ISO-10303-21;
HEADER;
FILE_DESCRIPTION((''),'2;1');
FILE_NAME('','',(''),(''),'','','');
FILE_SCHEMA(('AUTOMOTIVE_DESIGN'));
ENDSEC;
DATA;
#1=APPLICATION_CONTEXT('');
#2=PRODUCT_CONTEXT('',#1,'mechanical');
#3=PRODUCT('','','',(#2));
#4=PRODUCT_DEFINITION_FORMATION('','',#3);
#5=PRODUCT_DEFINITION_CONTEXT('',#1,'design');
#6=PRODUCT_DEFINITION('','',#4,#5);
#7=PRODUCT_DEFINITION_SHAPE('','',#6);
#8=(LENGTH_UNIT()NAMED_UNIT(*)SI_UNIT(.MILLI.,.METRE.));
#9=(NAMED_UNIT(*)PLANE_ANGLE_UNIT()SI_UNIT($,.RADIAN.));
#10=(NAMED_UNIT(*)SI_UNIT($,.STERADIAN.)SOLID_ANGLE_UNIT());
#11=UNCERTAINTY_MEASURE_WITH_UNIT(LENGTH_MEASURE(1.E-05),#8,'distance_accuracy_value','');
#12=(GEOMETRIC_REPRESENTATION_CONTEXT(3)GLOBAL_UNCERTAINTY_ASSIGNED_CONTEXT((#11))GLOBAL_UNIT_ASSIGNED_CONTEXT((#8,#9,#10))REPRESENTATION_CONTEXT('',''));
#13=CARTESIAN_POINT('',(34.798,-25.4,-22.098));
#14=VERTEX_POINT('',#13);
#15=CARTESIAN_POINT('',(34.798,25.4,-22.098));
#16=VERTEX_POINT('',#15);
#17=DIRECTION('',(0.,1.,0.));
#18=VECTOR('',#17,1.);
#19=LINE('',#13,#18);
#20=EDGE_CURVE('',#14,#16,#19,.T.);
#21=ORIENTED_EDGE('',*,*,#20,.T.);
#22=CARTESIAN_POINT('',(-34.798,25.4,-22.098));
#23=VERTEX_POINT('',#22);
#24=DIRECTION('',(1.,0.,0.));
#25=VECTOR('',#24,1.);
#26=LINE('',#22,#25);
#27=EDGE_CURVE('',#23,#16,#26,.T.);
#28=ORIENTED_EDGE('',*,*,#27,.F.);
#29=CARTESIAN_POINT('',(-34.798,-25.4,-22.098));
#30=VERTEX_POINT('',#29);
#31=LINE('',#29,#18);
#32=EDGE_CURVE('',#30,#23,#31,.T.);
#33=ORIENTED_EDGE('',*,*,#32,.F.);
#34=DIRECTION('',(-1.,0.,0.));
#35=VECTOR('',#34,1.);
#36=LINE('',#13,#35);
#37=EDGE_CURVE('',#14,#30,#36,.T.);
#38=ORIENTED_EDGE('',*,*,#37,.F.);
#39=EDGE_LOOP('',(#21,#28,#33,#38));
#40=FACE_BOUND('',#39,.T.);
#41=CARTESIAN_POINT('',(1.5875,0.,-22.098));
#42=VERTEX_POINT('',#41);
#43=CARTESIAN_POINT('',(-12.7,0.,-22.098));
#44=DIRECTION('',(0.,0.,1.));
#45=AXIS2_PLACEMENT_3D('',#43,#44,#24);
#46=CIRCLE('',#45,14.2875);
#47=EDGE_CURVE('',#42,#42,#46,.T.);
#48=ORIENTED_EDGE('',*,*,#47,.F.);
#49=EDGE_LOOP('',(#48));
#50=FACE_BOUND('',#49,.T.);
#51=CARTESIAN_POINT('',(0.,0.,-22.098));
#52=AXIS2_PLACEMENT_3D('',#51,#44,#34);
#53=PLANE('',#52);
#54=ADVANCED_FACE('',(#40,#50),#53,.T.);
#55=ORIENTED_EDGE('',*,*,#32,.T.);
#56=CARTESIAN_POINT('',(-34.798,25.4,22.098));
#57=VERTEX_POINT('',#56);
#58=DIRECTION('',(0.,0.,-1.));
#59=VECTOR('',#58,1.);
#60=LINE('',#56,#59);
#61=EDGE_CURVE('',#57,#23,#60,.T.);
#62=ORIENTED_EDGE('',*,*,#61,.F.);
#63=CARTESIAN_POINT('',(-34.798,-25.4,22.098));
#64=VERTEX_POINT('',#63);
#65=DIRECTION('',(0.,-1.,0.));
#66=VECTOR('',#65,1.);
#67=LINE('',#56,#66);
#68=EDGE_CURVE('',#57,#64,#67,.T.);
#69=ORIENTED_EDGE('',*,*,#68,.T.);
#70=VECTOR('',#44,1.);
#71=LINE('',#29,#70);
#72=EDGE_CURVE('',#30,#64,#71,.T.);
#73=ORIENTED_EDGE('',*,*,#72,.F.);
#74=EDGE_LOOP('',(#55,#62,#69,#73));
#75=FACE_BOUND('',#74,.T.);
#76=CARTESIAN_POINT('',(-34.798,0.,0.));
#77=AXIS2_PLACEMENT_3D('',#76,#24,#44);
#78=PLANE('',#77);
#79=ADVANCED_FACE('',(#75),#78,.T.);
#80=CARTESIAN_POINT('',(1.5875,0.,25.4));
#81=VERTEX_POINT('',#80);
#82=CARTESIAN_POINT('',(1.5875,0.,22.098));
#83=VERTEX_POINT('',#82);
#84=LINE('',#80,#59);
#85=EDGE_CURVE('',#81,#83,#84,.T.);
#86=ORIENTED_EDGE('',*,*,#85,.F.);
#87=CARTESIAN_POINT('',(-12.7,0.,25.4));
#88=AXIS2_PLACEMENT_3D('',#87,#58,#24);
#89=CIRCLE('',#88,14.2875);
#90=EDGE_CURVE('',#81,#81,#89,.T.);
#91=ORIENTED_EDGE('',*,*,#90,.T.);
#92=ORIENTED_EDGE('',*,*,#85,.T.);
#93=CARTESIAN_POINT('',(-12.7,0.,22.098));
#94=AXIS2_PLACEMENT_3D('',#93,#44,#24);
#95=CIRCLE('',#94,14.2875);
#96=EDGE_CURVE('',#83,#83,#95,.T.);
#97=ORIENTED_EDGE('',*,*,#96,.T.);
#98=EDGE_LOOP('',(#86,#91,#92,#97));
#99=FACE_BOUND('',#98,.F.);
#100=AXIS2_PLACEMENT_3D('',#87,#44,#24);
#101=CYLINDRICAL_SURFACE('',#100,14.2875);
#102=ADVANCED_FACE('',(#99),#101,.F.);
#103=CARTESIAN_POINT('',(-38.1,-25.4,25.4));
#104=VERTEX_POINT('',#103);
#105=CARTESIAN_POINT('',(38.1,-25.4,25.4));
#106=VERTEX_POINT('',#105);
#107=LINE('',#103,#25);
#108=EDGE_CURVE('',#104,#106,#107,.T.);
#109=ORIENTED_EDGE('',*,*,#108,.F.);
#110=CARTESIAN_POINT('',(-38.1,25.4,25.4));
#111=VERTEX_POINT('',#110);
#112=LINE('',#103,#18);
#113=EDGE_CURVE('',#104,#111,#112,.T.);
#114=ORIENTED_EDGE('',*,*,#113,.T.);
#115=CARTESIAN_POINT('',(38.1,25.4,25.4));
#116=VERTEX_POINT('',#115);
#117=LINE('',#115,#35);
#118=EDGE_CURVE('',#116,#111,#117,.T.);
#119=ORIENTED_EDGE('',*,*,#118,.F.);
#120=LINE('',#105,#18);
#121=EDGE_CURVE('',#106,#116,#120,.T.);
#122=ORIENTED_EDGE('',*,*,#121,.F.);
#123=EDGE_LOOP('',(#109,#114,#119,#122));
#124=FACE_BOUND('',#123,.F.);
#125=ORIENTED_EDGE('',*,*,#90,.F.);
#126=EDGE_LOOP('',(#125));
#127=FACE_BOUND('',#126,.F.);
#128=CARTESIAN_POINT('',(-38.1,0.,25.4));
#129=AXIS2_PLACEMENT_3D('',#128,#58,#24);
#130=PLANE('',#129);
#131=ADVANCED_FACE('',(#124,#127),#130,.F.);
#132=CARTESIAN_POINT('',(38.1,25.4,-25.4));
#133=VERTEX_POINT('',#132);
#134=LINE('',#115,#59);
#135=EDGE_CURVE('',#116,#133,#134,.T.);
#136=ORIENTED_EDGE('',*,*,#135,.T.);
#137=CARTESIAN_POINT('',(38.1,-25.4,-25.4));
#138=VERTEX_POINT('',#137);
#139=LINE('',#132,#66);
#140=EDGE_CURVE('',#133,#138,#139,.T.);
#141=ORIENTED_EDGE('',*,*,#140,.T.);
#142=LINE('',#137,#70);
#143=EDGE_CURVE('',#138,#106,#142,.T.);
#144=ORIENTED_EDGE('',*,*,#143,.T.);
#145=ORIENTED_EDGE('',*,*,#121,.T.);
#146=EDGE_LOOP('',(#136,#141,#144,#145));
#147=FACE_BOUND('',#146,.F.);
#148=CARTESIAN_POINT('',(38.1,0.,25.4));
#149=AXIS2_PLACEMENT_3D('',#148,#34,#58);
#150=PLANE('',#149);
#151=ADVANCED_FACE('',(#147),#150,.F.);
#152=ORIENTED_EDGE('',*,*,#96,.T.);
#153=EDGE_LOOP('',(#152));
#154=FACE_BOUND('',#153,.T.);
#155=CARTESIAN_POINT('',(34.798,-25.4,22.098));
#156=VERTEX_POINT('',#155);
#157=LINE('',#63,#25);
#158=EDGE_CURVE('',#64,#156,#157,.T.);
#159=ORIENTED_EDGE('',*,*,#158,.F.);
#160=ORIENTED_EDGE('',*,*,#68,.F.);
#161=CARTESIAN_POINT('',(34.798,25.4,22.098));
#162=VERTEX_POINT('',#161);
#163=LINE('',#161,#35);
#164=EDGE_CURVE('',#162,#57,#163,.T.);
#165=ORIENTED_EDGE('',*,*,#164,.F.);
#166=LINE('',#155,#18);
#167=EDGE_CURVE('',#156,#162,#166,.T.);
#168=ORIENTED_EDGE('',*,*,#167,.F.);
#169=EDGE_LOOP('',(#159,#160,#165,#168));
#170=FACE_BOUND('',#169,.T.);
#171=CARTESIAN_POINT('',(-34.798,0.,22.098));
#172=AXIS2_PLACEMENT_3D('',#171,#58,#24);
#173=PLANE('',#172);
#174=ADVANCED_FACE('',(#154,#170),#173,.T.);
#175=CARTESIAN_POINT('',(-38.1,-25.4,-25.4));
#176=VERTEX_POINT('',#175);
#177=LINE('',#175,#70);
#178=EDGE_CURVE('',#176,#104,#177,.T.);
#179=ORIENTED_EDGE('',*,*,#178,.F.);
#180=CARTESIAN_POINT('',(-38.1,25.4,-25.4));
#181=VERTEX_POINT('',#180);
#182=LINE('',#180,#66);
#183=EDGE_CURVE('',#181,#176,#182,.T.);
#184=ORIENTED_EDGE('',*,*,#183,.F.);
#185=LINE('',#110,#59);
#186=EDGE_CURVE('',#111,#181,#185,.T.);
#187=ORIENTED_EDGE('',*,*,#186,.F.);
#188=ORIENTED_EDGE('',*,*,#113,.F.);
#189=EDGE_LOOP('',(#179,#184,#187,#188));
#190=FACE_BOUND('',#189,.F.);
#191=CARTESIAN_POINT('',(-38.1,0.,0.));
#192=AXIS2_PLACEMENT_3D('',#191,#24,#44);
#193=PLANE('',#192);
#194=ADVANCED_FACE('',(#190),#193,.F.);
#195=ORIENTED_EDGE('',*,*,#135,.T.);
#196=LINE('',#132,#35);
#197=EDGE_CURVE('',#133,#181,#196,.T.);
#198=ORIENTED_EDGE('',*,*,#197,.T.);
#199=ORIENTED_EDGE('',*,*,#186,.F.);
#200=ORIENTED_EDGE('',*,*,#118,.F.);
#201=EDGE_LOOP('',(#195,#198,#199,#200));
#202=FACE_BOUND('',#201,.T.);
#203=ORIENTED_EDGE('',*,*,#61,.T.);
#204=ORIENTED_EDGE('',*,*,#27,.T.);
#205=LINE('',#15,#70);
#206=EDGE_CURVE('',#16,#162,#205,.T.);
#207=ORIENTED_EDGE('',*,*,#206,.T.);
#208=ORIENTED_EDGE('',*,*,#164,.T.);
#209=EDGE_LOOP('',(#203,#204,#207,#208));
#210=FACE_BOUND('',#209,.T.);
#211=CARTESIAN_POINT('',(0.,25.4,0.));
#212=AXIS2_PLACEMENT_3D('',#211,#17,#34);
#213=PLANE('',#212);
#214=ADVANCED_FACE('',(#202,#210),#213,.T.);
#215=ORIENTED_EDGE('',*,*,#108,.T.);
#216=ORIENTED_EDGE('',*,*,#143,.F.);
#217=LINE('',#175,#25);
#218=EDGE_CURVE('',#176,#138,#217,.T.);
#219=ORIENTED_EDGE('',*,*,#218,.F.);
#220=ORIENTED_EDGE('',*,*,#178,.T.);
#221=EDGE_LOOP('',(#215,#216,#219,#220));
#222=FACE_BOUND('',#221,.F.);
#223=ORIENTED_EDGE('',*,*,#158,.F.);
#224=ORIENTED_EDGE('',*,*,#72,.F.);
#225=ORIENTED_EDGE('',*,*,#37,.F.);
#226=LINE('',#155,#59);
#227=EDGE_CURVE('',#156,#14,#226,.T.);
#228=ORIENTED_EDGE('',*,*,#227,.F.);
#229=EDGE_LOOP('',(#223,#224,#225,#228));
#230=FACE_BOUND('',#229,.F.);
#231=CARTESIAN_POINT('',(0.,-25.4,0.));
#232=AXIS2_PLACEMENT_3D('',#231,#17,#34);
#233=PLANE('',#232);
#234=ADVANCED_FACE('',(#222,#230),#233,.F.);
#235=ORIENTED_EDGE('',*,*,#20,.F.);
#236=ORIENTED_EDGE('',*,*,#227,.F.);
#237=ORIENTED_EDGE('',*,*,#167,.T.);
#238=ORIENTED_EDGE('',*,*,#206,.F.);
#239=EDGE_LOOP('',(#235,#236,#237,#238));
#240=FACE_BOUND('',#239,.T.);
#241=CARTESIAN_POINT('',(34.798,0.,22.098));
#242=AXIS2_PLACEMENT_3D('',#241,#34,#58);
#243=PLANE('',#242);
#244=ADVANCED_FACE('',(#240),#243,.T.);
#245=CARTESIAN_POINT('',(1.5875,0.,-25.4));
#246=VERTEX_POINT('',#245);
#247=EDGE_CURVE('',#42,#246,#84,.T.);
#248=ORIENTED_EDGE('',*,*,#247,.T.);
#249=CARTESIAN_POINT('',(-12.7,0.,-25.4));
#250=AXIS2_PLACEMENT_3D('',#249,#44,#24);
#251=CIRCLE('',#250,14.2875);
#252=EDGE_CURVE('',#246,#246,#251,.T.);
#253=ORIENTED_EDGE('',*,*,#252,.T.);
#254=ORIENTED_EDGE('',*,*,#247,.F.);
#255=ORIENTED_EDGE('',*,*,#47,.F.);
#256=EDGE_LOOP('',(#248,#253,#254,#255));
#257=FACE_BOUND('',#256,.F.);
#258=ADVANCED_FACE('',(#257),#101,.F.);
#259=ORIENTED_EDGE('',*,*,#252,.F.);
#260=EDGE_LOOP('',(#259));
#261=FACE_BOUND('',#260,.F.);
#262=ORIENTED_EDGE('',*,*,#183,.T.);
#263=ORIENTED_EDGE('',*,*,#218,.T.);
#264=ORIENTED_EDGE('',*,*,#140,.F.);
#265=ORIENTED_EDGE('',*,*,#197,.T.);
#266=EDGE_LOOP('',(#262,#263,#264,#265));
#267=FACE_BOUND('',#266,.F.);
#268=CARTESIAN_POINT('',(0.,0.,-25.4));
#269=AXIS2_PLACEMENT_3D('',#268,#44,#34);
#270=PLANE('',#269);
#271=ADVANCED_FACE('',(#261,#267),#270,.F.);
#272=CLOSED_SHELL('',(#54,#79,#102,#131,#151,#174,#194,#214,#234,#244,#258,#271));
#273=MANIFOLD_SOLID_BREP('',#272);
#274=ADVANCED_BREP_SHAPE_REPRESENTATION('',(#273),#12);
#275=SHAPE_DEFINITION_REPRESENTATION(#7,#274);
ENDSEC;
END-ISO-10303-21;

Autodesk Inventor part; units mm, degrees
ref_plane "YZ Plane" through (0, 0, 0) normal (1, 0, 0) x (0, 1, 0)
ref_plane "XZ Plane" through (0, 0, 0) normal (0, 1, 0) x (-1, 0, 0)
ref_plane "XY Plane" through (0, 0, 0) normal (0, 0, 1) x (1, 0, 0)
sketch "Sketch1" plane through (0, 0, 0) normal (0, 1, 0) x (-1, 0, 0)
  point P0 (0, 0)
sketch "Sketch2" plane through (0, 0, 0) normal (0, 1, 0) x (-1, 0, 0)
  line L0 (38.1, 25.4) -> (-38.1, 25.4)
  line L1 (-38.1, 25.4) -> (-38.1, -25.4)
  line L2 (-38.1, -25.4) -> (38.1, -25.4)
  line L3 (38.1, -25.4) -> (38.1, 25.4)
  line L4 (34.798, 22.098) -> (-34.798, 22.098)
  line L5 (-34.798, 22.098) -> (-34.798, -22.098)
  line L6 (-34.798, -22.098) -> (34.798, -22.098)
  line L7 (34.798, -22.098) -> (34.798, 22.098)
  line L8 (0, -35.56) -> (0, 35.56) projected
  line L9 (-53.34, 0) -> (53.34, 0) projected
  point P0 (0, 0)
  dimension "d0" = 3.302
  dimension "d1" = 76.2
  dimension "d2" = 50.8
extrude "Extrusion1" add sketch "Sketch2" along normal mid plane 50.8 contours L3 L9 L7 L4 L8 L0 | L8 L4 L5 L9 L1 L0 | L3 L2 L8 L6 L7 L9 | L9 L5 L6 L8 L2 L1
sketch "Sketch3" plane through (-38.1, -25.4, 25.4) normal (0, 0, 1) x (1, 0, 0)
  circle A0 centre (25.4, 25.4) radius 14.2875
  line L0 (-15.24, 25.4) -> (91.44, 25.4) projected
  line L1 (38.1, 60.96) -> (38.1, -10.16) projected
  line L2 (0, 50.8) -> (0, 0) projected
  point P0 (38.1, 25.4)
  dimension "d5" = 28.575
  dimension "d6" = 25.4
extrude "Extrusion2" cut sketch "Sketch3" against normal up to surface (50.8 mm away)
properties part number "Hinge"
